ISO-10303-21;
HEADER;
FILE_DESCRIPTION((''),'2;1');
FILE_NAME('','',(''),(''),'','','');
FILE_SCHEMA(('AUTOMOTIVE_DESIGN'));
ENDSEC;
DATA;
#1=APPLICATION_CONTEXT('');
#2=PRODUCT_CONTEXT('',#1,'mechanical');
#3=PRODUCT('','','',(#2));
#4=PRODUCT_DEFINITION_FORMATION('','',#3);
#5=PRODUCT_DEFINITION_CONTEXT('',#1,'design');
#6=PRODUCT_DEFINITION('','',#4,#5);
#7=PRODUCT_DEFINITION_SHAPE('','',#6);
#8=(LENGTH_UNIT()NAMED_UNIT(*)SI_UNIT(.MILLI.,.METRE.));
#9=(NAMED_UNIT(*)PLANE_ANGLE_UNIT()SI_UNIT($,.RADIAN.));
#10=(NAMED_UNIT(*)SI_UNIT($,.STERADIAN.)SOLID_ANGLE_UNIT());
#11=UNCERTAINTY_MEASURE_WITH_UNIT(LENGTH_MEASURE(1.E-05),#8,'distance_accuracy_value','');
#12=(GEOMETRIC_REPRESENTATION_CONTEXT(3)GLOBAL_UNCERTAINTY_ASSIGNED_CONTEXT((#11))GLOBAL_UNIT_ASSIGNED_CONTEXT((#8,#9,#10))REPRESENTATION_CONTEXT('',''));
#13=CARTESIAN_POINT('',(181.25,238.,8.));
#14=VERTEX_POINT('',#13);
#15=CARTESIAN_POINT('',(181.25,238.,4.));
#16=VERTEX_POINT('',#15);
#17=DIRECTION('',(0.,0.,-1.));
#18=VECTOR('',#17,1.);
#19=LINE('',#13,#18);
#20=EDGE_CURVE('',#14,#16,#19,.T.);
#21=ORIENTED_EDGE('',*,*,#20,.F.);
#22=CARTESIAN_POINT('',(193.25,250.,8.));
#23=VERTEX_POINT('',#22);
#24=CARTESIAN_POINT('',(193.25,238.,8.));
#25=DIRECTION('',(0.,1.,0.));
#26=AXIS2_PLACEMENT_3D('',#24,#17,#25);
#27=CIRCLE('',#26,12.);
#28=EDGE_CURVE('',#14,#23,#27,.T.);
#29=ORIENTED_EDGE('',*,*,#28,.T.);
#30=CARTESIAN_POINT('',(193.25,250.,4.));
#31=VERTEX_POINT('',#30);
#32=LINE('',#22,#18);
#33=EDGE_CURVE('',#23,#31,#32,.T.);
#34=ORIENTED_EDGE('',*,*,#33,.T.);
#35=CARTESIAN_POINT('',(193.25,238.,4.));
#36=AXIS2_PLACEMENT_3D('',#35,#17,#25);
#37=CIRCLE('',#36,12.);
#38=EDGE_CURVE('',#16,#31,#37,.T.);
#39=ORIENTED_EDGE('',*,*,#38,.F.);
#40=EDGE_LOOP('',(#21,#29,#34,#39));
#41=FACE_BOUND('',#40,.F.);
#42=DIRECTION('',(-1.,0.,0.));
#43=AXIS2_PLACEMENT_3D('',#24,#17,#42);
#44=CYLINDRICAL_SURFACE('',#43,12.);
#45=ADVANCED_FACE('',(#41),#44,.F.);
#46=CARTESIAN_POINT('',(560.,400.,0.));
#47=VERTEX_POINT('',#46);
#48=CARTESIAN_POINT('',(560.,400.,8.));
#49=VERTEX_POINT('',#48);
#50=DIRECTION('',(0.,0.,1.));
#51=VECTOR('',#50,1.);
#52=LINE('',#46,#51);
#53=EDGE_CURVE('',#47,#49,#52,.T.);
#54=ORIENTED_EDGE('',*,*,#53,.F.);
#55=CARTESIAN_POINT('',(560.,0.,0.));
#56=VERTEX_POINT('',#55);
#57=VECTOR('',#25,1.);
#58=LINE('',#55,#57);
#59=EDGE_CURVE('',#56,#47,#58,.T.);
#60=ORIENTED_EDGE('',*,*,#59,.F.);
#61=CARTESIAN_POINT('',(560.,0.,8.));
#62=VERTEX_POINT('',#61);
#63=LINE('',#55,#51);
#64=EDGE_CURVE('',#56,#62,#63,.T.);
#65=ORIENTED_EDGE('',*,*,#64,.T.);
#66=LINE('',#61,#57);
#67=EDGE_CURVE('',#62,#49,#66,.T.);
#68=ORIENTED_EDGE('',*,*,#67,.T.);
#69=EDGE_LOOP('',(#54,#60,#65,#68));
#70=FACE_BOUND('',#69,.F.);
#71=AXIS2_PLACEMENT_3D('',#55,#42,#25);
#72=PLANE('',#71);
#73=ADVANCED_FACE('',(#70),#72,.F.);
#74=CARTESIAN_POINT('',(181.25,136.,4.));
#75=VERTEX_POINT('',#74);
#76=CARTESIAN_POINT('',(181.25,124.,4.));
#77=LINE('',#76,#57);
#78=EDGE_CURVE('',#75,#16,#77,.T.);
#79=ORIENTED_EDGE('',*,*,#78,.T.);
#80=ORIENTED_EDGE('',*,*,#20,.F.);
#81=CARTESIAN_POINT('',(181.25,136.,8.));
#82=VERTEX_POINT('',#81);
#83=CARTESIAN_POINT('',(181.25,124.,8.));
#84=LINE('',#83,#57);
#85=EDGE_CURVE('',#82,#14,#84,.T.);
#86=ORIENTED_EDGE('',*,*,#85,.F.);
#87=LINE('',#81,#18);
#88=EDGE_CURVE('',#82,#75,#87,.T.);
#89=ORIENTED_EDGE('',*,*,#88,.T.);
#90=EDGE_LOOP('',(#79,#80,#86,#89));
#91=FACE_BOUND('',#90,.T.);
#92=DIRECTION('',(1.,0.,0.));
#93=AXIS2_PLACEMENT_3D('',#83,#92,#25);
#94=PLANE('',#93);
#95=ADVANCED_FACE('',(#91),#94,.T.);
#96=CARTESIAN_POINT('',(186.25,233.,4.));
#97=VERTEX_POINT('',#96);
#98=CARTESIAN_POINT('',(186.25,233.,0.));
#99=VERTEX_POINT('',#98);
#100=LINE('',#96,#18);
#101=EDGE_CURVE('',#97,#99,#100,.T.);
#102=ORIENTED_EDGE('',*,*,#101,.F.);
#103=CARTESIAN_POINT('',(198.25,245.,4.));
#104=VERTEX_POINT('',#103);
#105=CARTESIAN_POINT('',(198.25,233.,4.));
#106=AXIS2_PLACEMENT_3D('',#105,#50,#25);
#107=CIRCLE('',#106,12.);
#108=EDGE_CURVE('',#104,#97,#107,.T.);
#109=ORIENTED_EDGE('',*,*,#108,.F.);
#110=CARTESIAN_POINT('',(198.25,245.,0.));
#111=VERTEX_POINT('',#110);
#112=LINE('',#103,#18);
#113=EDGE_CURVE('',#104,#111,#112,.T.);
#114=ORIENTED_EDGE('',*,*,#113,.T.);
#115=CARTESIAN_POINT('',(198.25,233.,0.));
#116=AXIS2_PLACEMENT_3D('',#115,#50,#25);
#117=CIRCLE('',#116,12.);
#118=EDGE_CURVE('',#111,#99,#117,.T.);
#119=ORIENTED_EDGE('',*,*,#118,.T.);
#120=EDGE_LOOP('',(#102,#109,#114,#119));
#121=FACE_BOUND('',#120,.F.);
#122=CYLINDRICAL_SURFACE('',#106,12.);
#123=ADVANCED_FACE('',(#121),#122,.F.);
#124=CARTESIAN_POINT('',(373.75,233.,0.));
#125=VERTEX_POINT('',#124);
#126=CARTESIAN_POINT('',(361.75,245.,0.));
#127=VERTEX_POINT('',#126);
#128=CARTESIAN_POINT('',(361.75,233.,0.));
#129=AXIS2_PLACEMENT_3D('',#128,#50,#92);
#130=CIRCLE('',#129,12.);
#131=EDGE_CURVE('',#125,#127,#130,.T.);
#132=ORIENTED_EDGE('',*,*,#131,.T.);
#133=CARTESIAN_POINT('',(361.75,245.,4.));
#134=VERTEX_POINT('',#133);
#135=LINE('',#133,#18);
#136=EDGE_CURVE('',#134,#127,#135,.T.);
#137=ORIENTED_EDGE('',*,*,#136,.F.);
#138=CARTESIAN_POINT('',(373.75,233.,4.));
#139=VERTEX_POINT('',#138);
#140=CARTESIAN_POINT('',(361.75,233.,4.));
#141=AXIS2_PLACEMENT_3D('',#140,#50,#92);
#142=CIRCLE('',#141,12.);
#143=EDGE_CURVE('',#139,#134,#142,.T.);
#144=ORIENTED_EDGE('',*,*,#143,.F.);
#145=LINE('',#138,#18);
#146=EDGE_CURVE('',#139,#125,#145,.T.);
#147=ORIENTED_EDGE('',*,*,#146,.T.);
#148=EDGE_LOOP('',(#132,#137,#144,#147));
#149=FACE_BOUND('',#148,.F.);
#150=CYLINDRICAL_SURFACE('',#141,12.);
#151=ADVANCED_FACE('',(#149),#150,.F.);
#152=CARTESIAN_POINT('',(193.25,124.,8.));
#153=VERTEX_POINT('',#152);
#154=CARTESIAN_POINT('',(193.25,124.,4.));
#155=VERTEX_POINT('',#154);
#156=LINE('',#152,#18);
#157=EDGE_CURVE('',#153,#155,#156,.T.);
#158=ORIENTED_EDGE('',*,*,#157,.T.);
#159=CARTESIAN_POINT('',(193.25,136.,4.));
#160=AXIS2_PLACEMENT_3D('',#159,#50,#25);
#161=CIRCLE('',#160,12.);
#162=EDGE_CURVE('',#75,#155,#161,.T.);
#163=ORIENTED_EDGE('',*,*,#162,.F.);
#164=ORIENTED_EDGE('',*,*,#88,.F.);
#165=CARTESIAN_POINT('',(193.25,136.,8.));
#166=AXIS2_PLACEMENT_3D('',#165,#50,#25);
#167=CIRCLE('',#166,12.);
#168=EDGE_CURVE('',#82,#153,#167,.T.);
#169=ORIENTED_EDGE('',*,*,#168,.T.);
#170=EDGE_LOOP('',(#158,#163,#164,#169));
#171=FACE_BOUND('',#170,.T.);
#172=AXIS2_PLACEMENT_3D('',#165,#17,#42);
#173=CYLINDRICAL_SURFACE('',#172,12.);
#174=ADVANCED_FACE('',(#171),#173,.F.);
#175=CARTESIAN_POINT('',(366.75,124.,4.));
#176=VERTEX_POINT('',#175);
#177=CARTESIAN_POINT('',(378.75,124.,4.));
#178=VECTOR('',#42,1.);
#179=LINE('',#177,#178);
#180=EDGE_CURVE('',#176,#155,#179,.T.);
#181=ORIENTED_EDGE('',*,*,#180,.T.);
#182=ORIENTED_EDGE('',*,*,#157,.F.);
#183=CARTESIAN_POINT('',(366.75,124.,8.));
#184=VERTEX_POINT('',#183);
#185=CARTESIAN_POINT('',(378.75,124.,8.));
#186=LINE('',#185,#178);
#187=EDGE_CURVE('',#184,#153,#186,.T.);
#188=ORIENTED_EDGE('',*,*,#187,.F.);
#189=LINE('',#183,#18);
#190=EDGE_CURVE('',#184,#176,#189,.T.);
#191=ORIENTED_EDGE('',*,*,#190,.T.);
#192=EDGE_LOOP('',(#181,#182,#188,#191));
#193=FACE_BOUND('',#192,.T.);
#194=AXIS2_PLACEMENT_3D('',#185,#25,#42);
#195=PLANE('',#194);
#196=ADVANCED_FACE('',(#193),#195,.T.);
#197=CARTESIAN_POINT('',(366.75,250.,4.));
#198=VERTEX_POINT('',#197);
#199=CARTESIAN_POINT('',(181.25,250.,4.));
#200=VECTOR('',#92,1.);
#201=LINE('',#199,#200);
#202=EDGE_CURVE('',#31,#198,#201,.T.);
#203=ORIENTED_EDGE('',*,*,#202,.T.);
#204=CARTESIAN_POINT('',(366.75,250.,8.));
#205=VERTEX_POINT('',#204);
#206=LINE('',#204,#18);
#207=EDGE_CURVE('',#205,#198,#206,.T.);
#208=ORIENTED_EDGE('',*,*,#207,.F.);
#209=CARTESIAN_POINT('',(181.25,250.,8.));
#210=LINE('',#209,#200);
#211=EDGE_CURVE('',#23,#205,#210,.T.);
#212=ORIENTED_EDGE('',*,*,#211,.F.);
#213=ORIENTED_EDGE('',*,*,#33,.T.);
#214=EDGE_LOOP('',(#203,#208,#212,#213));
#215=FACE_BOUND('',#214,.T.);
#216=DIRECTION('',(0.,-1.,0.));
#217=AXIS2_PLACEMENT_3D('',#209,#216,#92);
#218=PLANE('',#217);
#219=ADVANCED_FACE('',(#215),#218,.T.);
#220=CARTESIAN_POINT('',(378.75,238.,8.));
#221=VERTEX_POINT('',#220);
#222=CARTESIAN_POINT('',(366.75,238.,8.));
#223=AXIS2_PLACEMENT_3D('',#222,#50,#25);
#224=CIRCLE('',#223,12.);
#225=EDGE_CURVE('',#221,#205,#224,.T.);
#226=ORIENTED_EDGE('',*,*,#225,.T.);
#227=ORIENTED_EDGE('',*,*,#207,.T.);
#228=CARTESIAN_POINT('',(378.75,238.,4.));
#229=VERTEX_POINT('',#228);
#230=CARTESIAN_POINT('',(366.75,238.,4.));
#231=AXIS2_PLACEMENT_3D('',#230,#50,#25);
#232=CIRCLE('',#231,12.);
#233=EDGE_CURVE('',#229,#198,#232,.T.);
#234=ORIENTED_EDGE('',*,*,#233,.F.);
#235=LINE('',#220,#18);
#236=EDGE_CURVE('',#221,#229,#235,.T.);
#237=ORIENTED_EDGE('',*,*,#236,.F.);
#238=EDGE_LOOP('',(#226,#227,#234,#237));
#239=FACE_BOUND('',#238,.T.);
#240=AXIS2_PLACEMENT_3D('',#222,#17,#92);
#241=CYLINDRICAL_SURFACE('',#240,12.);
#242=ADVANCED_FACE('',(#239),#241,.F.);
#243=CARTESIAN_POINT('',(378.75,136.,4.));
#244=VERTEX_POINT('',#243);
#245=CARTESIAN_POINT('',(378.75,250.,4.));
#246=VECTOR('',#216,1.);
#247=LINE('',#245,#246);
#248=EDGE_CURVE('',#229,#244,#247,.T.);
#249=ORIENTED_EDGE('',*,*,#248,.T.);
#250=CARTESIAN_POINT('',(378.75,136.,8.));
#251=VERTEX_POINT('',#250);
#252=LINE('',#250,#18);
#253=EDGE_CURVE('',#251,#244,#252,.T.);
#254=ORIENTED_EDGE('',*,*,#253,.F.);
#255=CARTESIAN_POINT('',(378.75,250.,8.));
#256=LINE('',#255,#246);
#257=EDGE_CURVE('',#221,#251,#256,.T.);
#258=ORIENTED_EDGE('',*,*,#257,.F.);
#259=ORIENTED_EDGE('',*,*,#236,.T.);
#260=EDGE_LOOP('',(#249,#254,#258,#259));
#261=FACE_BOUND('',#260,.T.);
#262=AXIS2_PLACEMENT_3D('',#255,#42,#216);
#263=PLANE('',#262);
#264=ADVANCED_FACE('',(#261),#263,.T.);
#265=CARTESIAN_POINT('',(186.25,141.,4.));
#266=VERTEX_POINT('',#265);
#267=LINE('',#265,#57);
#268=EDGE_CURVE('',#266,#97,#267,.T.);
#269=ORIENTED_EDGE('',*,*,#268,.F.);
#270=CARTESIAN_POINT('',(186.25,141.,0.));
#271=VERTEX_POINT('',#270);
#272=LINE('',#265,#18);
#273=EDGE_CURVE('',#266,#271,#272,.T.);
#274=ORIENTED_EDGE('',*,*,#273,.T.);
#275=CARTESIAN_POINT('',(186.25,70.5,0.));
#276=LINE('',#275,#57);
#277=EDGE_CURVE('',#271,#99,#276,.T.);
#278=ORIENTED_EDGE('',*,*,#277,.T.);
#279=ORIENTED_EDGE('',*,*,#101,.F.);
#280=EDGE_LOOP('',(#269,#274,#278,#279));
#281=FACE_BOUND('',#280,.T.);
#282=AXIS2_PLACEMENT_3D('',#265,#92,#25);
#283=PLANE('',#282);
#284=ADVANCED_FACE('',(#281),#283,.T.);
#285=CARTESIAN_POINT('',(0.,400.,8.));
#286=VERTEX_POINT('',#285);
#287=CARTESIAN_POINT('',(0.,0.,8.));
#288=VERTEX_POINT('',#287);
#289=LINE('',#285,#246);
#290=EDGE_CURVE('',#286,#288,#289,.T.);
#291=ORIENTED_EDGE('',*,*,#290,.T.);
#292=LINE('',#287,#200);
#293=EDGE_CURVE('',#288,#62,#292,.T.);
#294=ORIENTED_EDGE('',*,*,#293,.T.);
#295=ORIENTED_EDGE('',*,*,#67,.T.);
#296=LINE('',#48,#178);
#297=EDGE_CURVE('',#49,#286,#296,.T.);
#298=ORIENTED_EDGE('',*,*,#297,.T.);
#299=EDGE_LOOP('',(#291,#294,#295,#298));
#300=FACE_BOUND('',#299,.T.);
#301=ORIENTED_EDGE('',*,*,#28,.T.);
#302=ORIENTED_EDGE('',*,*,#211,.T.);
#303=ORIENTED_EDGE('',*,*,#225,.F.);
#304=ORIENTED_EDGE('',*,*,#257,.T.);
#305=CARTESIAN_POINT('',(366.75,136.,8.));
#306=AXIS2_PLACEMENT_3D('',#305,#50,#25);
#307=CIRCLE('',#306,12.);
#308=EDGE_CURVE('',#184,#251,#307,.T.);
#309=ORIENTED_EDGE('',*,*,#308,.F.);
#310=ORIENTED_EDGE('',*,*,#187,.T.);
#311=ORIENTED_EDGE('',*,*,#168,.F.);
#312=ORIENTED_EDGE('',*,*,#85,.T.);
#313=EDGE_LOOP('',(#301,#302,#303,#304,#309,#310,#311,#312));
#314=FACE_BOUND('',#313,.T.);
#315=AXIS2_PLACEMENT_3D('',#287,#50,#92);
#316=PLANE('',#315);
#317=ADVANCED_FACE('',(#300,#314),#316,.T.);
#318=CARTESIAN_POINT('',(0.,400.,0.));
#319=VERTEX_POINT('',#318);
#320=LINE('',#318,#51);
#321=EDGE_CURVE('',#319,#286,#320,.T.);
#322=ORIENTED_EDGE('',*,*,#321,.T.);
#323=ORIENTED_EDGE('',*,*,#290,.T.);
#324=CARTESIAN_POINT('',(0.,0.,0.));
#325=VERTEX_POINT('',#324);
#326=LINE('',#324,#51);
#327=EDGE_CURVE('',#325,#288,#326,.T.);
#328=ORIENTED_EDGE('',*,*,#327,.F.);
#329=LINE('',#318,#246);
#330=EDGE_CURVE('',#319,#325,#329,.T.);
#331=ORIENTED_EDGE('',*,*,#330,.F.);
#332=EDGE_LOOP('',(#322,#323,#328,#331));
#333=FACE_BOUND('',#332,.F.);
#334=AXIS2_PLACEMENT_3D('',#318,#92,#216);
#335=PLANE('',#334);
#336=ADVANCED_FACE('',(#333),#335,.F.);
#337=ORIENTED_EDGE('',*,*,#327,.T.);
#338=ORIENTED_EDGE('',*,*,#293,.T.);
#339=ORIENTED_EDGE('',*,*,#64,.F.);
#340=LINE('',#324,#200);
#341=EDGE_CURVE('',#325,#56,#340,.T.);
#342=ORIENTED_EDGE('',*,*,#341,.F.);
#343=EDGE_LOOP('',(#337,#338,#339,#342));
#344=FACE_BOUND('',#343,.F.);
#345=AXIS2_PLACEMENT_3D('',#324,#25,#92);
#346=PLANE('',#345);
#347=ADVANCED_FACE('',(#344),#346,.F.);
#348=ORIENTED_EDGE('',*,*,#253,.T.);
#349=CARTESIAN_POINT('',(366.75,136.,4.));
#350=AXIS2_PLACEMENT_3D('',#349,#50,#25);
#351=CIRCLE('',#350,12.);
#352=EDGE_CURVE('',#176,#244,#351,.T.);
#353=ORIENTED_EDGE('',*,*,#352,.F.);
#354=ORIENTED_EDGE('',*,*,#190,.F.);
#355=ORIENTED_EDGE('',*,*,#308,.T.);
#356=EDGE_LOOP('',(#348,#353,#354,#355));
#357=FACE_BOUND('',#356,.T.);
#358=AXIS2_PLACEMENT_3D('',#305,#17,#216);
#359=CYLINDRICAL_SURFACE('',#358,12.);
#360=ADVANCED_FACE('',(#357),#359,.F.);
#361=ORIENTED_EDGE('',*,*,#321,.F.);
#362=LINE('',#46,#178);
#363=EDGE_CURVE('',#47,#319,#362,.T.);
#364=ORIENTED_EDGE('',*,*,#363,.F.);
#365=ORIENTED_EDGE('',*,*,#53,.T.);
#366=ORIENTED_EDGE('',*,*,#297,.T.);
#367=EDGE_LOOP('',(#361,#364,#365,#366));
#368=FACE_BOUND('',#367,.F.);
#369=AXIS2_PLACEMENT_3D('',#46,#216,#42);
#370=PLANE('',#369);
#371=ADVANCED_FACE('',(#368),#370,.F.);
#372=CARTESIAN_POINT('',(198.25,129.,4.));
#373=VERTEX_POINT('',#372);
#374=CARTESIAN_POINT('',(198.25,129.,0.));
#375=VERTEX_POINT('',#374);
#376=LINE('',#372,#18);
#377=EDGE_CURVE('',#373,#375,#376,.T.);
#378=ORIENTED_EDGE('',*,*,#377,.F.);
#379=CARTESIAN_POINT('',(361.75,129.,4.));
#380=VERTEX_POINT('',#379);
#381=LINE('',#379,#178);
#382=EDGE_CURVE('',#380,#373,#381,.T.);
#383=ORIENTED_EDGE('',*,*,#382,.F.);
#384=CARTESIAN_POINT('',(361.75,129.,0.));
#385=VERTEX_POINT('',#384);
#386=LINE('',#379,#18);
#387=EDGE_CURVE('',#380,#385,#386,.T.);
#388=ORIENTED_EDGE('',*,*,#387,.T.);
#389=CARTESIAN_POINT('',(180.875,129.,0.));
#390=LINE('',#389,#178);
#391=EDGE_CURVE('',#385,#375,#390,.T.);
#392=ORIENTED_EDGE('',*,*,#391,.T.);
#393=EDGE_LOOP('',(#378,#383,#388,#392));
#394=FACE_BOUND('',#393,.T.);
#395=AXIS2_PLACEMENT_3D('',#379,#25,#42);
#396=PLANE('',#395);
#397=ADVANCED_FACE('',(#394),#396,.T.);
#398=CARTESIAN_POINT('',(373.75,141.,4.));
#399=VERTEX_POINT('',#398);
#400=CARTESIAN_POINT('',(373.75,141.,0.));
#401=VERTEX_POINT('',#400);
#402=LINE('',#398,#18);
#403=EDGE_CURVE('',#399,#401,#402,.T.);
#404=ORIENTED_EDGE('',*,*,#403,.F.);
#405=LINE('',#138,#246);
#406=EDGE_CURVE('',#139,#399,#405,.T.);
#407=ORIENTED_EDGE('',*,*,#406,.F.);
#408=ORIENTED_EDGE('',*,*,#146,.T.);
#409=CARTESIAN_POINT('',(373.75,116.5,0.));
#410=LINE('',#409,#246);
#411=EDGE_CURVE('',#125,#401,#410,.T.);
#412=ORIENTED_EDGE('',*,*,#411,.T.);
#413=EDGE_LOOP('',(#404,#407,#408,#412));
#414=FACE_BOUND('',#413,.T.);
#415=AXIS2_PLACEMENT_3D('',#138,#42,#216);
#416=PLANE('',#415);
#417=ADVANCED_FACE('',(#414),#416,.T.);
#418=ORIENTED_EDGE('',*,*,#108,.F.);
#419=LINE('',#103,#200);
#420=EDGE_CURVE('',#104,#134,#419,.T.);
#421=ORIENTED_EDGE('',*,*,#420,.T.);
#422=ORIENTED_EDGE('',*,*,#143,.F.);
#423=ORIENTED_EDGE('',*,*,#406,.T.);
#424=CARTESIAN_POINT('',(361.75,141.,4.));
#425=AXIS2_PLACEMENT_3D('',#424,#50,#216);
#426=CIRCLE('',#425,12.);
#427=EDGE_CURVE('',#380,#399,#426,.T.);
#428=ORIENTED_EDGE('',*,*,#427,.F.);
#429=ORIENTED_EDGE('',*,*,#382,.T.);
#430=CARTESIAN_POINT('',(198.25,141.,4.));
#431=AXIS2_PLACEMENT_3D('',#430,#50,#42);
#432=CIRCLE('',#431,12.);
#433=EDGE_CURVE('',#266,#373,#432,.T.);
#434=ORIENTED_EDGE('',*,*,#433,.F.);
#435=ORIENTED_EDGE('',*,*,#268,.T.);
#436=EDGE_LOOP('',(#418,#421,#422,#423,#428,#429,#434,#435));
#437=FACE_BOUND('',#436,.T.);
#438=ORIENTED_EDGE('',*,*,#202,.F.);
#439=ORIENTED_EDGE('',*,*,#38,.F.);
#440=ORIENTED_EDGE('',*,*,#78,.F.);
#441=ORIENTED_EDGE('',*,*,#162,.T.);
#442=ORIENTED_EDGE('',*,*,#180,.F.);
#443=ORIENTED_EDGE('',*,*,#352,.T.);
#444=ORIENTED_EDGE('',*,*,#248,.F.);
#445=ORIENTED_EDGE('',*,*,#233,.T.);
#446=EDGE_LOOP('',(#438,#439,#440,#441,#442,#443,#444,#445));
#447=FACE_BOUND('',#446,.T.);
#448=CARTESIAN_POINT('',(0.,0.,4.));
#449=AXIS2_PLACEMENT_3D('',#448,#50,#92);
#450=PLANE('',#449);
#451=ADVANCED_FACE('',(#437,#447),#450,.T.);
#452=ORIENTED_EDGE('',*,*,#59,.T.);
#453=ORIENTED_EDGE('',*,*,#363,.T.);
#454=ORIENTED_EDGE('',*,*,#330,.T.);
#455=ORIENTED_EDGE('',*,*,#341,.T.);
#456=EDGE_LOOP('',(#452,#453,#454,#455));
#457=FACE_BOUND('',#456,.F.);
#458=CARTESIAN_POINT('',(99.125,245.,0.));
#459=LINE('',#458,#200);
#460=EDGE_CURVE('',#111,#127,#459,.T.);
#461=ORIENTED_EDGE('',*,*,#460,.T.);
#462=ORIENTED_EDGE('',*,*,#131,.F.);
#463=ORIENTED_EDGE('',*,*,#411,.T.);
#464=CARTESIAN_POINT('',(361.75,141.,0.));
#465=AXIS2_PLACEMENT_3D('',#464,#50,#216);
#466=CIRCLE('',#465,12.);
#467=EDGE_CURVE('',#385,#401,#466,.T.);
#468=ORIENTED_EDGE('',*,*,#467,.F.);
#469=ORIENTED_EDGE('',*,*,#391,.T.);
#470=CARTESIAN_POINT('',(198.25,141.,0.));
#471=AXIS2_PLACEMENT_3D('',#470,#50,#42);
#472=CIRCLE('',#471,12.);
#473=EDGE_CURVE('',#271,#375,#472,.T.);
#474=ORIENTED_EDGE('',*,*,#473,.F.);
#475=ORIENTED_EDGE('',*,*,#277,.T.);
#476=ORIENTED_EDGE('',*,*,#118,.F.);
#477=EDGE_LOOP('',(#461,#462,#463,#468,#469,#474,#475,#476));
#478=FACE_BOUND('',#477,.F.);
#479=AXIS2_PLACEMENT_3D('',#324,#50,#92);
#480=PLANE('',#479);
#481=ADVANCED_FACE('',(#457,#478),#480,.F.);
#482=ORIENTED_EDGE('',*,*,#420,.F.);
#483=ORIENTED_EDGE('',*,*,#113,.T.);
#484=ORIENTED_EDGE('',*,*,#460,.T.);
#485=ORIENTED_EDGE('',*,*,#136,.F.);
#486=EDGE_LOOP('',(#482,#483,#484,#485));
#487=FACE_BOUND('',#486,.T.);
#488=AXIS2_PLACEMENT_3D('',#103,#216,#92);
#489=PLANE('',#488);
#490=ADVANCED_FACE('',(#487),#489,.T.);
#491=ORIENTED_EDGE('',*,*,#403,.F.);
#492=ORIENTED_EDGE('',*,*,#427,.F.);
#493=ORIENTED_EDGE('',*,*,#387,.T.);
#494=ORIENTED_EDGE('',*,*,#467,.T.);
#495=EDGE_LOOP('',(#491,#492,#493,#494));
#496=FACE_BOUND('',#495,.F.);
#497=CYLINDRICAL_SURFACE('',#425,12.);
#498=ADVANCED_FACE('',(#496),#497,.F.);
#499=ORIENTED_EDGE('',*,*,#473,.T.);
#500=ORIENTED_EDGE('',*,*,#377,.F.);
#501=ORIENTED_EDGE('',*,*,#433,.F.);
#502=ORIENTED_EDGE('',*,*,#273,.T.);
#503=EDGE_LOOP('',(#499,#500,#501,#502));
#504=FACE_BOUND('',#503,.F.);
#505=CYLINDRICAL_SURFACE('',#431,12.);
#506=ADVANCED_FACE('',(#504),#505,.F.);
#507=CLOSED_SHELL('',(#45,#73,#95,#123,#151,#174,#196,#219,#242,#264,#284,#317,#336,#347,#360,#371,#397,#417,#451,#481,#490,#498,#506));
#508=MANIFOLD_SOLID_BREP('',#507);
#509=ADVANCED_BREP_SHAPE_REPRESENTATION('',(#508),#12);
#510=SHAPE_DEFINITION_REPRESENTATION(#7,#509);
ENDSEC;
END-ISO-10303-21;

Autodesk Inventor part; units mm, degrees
ref_plane "YZ Plane" through (0, 0, 0) normal (1, 0, 0) x (0, 1, 0)
ref_plane "XZ Plane" through (0, 0, 0) normal (0, 1, 0) x (-1, 0, 0)
ref_plane "XY Plane" through (0, 0, 0) normal (0, 0, 1) x (1, 0, 0)
sketch "Sketch1" plane through (0, 0, 0) normal (0, 0, 1) x (1, 0, 0)
  line L0 (0, 0) -> (560, 0)
  line L1 (560, 0) -> (560, 400)
  line L2 (560, 400) -> (0, 400)
  line L3 (0, 400) -> (0, 0)
  dimension "d0" = 560
  dimension "d1" = 400
extrude "Extrusion1" add sketch "Sketch1" along normal blind 8
sketch "Sketch2" plane through (0, 0, 8) normal (0, 0, 1) x (1, 0, 0)
  line L0 (181.25, 250) -> (378.75, 250)
  line L1 (378.75, 250) -> (378.75, 124)
  line L2 (378.75, 124) -> (181.25, 124)
  line L3 (181.25, 124) -> (181.25, 250)
  line L4 (0, 400) -> (0, 0) projected
  line L5 (560, 400) -> (0, 400) projected
  line L6 (186.25, 245) -> (373.75, 245)
  line L7 (373.75, 245) -> (373.75, 129)
  line L8 (373.75, 129) -> (186.25, 129)
  line L9 (186.25, 129) -> (186.25, 245)
  dimension "cuva_width" = 197.5
  dimension "d5" = 126
  dimension "d6" = 181.25
  dimension "d7" = 150
  dimension "d8" = 5
  dimension "d9" = 5
  dimension "d10" = 5
  dimension "d11" = 5
extrude "Extrusion2" cut sketch "Sketch2" against normal blind 4
fillet "Fillet1" radius 12 4 edges at (181.25, 250, 6) (181.25, 124, 6) (378.75, 124, 6) (378.75, 250, 6)
sketch "Sketch3" plane through (0, 0, 8) normal (0, 0, 1) x (1, 0, 0)
  line L0 (186.25, 245) -> (186.25, 129) projected
  line L1 (186.25, 129) -> (373.75, 129) projected
  line L2 (373.75, 129) -> (373.75, 245) projected
  line L3 (373.75, 245) -> (186.25, 245) projected
  point P0 (0, 0)
extrude "Extrusion3" cut sketch "Sketch3" against normal blind 4
sketch "Sketch4" plane through (0, 0, 4) normal (0, 0, 1) x (1, 0, 0)
  arc A0 (378.75, 238) -> (366.75, 250) centre (366.75, 238) ccw projected
  line L0 (193.25, 250) -> (366.75, 250) projected
  arc A1 (193.25, 250) -> (181.25, 238) centre (193.25, 238) ccw projected
  line L1 (181.25, 136) -> (181.25, 238) projected
  arc A2 (181.25, 136) -> (193.25, 124) centre (193.25, 136) ccw projected
  line L2 (366.75, 124) -> (193.25, 124) projected
  arc A3 (366.75, 124) -> (378.75, 136) centre (366.75, 136) ccw projected
  line L3 (378.75, 238) -> (378.75, 136) projected
  line L4 (198.25, 245) -> (361.75, 245)
  line L5 (373.75, 233) -> (373.75, 141)
  line L6 (361.75, 129) -> (198.25, 129)
  line L7 (186.25, 141) -> (186.25, 233)
  arc A4 (198.25, 245) -> (186.25, 233) centre (198.25, 233) ccw
  arc A5 (186.25, 141) -> (198.25, 129) centre (198.25, 141) ccw
  arc A6 (373.75, 233) -> (361.75, 245) centre (361.75, 233) ccw
  arc A7 (361.75, 129) -> (373.75, 141) centre (361.75, 141) ccw
  point P0 (0, 0)
  dimension "d17" = 5
  dimension "d18" = 5
  dimension "d19" = 5
  dimension "d20" = 5
  dimension "d21" = 12
extrude "Extrusion4" cut sketch "Sketch4" against normal through all contours L4 A6 L5 A7 L6 A5 L7 A4
equation "\"d9\" = d8"
equation "\"d10\" = d8"
equation "\"d11\" = d8"
equation "\"d18\" = d17"
equation "\"d19\" = d17"
equation "\"d20\" = d17"
properties part number "capac cu gaura 3"
